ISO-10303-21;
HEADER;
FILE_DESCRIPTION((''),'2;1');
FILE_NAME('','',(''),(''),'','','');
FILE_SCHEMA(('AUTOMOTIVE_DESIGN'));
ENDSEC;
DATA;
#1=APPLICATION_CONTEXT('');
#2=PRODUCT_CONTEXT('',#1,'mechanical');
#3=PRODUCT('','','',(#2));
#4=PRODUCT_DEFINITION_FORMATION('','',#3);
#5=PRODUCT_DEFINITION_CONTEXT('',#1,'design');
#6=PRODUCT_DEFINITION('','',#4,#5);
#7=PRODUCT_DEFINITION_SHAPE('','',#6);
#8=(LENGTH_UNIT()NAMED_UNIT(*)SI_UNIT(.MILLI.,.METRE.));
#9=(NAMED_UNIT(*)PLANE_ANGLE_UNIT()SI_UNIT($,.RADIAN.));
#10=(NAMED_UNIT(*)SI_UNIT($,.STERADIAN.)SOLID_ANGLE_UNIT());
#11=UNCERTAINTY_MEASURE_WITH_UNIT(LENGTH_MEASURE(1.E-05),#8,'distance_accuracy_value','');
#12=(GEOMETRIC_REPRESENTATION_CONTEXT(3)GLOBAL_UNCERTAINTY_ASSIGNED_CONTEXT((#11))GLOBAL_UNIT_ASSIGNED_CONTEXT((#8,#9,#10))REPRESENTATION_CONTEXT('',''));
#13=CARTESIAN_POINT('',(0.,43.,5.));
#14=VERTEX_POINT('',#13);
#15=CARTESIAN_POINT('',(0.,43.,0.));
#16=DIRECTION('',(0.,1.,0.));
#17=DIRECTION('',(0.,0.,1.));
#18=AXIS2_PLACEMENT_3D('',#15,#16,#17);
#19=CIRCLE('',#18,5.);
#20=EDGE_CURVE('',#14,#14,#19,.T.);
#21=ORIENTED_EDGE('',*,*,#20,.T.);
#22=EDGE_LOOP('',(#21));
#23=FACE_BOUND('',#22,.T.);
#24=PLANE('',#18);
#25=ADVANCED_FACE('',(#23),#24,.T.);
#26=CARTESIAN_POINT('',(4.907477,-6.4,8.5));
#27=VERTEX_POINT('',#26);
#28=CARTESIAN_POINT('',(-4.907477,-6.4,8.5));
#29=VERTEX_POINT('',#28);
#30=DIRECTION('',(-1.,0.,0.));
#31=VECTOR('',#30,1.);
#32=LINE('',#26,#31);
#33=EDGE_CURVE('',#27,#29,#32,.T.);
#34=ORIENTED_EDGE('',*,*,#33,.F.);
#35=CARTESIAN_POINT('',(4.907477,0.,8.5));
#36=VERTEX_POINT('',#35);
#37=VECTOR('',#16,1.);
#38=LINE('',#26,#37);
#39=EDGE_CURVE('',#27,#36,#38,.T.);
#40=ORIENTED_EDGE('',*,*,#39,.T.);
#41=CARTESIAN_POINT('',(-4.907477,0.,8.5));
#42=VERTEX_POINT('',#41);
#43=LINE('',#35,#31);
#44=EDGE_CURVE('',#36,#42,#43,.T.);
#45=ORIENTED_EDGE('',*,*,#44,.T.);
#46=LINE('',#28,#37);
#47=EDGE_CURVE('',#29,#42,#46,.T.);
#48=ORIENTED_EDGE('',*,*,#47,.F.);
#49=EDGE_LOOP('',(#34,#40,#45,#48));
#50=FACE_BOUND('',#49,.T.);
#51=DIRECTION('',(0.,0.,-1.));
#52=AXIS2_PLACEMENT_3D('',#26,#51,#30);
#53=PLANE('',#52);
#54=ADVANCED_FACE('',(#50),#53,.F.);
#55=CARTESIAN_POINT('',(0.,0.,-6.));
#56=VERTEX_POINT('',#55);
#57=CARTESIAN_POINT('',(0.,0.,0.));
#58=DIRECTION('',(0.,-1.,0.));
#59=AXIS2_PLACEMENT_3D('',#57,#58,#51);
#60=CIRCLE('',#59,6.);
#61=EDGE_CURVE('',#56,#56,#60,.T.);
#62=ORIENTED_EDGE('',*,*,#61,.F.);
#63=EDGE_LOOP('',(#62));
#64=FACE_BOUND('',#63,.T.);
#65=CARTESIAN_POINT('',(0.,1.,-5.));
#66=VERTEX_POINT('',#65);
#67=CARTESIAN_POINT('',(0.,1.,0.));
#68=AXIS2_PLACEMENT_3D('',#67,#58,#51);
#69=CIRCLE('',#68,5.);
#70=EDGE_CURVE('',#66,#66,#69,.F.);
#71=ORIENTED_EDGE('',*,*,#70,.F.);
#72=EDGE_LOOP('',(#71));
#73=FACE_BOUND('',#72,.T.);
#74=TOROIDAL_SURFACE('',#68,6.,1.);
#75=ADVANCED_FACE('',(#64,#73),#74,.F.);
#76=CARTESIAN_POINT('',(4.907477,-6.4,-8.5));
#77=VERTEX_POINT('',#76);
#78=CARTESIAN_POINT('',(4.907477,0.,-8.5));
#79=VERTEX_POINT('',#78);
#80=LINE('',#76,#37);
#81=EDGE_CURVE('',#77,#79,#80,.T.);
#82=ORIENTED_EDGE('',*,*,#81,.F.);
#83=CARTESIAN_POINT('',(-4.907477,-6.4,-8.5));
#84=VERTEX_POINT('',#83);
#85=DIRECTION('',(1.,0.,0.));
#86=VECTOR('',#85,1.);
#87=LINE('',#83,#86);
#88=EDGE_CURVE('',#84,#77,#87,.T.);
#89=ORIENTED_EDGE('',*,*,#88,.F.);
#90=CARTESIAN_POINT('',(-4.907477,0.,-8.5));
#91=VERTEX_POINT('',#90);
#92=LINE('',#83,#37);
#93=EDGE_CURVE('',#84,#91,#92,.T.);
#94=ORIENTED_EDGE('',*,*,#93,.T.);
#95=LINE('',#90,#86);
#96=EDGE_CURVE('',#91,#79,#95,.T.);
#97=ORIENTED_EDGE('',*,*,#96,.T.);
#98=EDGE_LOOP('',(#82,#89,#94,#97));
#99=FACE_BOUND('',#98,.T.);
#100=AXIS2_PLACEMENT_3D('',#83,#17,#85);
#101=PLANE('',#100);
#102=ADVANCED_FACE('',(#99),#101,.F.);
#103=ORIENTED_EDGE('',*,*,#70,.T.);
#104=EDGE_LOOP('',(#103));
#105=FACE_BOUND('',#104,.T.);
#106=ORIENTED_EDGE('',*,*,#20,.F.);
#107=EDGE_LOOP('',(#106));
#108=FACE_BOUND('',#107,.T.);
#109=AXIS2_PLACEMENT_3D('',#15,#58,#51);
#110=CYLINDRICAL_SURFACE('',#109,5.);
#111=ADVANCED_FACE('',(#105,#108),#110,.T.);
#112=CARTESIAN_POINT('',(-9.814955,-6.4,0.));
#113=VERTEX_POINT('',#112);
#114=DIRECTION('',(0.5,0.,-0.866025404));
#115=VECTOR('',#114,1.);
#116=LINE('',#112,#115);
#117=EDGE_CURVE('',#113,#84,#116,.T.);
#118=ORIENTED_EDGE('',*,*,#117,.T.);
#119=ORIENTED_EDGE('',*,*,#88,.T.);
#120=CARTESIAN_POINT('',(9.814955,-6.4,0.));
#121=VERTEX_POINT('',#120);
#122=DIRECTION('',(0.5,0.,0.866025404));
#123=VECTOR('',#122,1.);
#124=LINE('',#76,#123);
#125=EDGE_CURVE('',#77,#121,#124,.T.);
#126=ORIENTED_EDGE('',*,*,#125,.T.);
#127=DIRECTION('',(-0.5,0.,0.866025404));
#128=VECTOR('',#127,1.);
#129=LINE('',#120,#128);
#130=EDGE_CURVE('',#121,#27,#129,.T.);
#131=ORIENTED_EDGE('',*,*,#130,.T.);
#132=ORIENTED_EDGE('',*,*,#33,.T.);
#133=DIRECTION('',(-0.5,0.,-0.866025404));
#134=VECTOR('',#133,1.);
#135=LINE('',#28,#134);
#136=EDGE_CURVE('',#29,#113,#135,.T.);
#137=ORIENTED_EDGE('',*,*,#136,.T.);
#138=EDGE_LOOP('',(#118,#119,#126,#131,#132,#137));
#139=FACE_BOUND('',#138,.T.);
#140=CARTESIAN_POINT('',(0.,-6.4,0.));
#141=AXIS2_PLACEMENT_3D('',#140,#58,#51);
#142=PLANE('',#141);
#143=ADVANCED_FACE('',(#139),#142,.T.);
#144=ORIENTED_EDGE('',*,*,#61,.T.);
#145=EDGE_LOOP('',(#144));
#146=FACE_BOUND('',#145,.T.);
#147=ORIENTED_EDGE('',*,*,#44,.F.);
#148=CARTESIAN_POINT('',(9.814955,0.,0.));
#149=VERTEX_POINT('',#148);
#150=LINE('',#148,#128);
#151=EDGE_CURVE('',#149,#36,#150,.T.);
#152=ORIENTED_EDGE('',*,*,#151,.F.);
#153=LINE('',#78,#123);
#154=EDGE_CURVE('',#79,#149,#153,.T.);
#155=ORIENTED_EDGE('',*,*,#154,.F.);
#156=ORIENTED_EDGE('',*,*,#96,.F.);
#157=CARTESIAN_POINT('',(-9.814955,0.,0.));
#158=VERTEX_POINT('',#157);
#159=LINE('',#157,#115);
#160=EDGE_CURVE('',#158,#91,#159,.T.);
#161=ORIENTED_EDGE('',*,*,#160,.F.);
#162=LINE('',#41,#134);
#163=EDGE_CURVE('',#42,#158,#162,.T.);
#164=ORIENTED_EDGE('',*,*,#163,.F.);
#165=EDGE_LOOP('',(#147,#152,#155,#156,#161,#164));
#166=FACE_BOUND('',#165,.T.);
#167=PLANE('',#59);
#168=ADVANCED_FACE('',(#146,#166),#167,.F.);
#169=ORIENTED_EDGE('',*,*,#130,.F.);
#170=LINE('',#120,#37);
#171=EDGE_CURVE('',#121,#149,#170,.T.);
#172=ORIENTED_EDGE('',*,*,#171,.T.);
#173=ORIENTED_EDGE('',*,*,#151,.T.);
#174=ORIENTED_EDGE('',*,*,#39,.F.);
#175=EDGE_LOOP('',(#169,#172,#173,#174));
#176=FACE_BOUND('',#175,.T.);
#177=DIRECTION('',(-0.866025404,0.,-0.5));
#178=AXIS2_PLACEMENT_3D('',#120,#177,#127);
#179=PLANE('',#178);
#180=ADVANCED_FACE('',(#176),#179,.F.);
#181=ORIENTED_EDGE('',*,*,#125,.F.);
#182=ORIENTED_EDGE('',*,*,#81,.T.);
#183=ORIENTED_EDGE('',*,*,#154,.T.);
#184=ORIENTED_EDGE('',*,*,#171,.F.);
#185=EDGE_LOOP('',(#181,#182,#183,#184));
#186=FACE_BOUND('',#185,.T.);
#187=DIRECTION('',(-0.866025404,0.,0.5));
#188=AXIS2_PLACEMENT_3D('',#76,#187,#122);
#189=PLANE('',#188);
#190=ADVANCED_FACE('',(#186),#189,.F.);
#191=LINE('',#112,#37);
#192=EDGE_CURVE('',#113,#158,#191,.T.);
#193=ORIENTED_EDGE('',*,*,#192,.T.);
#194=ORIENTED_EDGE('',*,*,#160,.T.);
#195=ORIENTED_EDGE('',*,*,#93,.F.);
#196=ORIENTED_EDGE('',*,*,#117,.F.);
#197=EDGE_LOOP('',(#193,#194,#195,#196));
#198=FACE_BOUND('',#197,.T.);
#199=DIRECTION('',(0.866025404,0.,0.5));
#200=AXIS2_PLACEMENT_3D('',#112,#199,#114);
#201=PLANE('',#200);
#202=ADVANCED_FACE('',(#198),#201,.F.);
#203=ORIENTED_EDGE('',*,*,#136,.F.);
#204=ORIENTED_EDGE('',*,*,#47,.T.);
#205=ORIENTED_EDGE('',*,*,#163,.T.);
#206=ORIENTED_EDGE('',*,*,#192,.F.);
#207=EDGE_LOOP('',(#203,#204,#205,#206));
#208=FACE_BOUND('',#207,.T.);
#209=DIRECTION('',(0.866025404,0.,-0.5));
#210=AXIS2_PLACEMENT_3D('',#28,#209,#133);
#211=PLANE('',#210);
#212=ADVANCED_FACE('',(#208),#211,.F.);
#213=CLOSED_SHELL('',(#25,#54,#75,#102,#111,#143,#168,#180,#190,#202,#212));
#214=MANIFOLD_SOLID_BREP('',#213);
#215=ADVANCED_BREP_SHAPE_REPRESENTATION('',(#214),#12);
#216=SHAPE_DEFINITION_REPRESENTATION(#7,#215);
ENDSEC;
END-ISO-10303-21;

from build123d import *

# Parameters (mm, degrees)
SKETCH1_R           = 5
BOSS_EXTRUDE1_DEPTH = 43
BOSS_EXTRUDE2_DEPTH = 6.4
FILLET1_R           = 1


with BuildPart() as part:
    # Sketch1 → Boss-Extrude1 (new body)
    with BuildSketch(Plane(origin=(0, 0, 0), x_dir=(1, 0, 0), z_dir=(0, 1, 0))):
        with Locations(Location((0, 0, 0), (0, 0, 270))):
            Circle(SKETCH1_R)
    extrude(amount=BOSS_EXTRUDE1_DEPTH)

    # Sketch2 → Boss-Extrude2 (add)
    with BuildSketch(Plane.XZ):
        Polygon((4.907477288, 8.5), (-4.907477288, 8.5), (-9.814954576, 0), (-4.907477288, -8.5), (4.907477288, -8.5), (9.814954576, 0), align=None)
    extrude(amount=BOSS_EXTRUDE2_DEPTH)

    # Fillet1
    fillet1_edges = [part.edges().sort_by_distance(p)[0] for p in [
        (0, 0, -5),
    ]]
    fillet(fillet1_edges, radius=FILLET1_R)


solid = part.part
